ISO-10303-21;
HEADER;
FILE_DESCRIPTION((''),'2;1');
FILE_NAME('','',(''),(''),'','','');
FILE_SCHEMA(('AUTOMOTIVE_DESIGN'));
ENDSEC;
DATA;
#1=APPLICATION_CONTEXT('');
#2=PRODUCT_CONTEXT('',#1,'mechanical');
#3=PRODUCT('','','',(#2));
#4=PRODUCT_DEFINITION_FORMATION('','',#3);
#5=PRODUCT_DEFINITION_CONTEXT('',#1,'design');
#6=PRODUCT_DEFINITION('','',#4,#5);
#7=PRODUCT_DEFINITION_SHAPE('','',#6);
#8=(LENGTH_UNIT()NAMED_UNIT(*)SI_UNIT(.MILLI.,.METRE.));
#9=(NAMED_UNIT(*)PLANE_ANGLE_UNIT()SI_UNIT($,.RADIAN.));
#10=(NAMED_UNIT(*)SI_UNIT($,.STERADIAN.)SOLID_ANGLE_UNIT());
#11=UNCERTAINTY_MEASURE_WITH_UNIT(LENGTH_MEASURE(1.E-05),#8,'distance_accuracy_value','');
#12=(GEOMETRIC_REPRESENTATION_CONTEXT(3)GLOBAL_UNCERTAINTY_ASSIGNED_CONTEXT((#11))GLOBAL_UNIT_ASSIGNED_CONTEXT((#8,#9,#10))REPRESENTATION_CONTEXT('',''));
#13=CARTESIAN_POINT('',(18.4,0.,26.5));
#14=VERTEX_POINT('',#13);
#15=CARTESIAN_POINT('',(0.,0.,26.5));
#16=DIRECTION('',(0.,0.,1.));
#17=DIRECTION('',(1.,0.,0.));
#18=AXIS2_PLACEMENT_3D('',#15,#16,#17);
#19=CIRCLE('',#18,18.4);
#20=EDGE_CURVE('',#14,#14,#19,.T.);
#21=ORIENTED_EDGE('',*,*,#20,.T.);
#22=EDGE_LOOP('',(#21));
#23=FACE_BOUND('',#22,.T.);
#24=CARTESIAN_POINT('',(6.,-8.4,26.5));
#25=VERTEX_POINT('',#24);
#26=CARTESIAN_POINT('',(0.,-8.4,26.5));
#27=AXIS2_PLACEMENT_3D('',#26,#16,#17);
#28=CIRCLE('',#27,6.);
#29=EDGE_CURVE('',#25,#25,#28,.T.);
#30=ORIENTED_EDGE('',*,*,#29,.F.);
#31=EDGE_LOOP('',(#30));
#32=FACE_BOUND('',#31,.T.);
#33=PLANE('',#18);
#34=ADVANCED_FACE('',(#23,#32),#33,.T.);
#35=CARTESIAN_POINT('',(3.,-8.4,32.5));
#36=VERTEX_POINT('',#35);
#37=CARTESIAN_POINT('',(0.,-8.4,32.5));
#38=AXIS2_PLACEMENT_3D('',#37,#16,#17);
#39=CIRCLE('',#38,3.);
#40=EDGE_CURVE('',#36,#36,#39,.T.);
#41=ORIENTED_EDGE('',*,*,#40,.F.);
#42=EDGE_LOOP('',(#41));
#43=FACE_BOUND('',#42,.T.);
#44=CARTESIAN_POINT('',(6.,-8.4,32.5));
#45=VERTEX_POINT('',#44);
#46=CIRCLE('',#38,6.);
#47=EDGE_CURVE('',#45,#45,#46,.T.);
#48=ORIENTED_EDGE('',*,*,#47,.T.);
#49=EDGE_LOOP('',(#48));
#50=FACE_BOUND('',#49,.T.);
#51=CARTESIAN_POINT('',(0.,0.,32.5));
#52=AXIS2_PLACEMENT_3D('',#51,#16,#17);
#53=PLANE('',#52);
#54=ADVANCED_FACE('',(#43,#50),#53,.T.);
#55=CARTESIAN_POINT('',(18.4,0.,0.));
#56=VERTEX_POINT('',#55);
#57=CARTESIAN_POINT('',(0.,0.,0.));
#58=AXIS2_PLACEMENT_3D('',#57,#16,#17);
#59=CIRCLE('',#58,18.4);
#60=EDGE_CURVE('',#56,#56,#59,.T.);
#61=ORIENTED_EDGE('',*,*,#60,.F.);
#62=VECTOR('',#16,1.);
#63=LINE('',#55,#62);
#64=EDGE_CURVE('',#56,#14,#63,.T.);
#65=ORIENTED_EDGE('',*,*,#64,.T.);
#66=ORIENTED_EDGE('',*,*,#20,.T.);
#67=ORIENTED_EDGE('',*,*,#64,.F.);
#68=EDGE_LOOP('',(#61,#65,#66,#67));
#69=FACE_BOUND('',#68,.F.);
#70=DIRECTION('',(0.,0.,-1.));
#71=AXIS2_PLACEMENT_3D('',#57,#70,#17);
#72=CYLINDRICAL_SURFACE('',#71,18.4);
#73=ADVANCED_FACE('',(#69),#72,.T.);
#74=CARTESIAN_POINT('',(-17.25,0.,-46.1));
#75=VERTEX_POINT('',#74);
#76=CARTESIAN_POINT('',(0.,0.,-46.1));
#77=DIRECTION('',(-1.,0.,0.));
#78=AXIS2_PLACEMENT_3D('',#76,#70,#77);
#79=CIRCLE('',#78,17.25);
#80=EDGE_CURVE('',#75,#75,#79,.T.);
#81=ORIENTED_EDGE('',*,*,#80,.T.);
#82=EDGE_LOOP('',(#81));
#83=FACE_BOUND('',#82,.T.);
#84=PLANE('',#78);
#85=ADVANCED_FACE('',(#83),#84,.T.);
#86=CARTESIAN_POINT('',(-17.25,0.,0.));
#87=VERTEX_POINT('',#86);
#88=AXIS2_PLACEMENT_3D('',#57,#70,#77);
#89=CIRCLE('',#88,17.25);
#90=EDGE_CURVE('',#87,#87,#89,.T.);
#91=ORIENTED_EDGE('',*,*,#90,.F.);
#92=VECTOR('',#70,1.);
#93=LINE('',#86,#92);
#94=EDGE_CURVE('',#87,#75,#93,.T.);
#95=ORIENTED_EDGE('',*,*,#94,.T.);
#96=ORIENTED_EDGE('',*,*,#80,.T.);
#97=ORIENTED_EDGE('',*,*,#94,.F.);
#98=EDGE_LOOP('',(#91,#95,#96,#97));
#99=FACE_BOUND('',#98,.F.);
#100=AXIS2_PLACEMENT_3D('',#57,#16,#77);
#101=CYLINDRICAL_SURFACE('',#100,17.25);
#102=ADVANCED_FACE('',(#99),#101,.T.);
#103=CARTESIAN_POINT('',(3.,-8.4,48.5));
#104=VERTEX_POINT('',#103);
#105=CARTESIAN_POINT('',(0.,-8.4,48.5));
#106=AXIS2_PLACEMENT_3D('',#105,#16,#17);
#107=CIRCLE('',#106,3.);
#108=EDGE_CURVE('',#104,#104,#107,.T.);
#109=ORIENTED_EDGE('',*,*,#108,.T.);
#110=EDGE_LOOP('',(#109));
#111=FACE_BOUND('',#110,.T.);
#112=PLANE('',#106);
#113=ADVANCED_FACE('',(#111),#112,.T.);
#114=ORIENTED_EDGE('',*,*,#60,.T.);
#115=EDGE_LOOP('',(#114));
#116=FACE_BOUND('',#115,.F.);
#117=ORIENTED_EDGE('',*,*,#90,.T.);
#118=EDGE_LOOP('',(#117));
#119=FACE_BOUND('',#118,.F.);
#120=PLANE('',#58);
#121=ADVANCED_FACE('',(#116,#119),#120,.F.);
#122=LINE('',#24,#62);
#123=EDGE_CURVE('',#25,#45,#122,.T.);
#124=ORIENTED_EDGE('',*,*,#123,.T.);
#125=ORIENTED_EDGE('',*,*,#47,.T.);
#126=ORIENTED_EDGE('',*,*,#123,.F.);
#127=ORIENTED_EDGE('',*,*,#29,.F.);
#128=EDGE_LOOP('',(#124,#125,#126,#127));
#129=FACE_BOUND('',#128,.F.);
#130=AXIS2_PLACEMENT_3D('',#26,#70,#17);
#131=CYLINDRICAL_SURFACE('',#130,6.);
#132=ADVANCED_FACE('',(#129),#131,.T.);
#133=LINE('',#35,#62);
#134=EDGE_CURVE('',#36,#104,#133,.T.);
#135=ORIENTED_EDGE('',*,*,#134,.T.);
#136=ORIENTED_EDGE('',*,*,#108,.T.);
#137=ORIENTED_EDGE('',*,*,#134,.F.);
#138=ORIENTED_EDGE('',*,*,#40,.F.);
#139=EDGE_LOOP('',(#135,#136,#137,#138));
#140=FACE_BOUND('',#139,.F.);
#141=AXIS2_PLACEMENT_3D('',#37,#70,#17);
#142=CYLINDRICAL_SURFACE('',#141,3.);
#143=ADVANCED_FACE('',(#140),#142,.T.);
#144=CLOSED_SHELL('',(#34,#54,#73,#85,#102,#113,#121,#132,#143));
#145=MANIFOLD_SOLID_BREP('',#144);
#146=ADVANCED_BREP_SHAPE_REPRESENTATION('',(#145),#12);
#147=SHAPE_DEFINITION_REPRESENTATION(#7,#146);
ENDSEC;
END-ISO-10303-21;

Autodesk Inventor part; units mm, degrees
ref_plane "YZ Plane" through (0, 0, 0) normal (1, 0, 0) x (0, 1, 0)
ref_plane "XZ Plane" through (0, 0, 0) normal (0, 1, 0) x (-1, 0, 0)
ref_plane "XY Plane" through (0, 0, 0) normal (0, 0, 1) x (1, 0, 0)
sketch "Sketch1" plane through (0, 0, 0) normal (0, 0, 1) x (1, 0, 0)
  circle A0 centre (0, 0) radius 18.4
  dimension "d0" = 36.8
extrude "Extrusion1" add sketch "Sketch1" along normal blind 26.5
sketch "Sketch2" plane through (0, 0, 0) normal (0, 0, -1) x (-1, 0, 0)
  circle A0 centre (0, 0) radius 17.25
  dimension "d3" = 34.5
extrude "Extrusion2" add sketch "Sketch2" along normal blind 46.1
sketch "Sketch5" plane through (0, 0, 26.5) normal (0, 0, 1) x (1, 0, 0)
  circle A0 centre (0, -8.4) radius 3
  circle A1 centre (0, -8.4) radius 6
  dimension "d7" = 6
  dimension "d8" = 12
extrude "Extrusion3" add sketch "Sketch5" along normal blind 6 contours A0 | A1
sketch "Sketch6" plane through (0, -8.4, 32.5) normal (0, 0, 1) x (1, 0, 0)
  circle A0 centre (0, 0) radius 3
  point P0 (0, 8.4)
  dimension "d11" = 6
extrude "Extrusion4" add sketch "Sketch6" along normal blind 16
properties part number "Big Motor"
